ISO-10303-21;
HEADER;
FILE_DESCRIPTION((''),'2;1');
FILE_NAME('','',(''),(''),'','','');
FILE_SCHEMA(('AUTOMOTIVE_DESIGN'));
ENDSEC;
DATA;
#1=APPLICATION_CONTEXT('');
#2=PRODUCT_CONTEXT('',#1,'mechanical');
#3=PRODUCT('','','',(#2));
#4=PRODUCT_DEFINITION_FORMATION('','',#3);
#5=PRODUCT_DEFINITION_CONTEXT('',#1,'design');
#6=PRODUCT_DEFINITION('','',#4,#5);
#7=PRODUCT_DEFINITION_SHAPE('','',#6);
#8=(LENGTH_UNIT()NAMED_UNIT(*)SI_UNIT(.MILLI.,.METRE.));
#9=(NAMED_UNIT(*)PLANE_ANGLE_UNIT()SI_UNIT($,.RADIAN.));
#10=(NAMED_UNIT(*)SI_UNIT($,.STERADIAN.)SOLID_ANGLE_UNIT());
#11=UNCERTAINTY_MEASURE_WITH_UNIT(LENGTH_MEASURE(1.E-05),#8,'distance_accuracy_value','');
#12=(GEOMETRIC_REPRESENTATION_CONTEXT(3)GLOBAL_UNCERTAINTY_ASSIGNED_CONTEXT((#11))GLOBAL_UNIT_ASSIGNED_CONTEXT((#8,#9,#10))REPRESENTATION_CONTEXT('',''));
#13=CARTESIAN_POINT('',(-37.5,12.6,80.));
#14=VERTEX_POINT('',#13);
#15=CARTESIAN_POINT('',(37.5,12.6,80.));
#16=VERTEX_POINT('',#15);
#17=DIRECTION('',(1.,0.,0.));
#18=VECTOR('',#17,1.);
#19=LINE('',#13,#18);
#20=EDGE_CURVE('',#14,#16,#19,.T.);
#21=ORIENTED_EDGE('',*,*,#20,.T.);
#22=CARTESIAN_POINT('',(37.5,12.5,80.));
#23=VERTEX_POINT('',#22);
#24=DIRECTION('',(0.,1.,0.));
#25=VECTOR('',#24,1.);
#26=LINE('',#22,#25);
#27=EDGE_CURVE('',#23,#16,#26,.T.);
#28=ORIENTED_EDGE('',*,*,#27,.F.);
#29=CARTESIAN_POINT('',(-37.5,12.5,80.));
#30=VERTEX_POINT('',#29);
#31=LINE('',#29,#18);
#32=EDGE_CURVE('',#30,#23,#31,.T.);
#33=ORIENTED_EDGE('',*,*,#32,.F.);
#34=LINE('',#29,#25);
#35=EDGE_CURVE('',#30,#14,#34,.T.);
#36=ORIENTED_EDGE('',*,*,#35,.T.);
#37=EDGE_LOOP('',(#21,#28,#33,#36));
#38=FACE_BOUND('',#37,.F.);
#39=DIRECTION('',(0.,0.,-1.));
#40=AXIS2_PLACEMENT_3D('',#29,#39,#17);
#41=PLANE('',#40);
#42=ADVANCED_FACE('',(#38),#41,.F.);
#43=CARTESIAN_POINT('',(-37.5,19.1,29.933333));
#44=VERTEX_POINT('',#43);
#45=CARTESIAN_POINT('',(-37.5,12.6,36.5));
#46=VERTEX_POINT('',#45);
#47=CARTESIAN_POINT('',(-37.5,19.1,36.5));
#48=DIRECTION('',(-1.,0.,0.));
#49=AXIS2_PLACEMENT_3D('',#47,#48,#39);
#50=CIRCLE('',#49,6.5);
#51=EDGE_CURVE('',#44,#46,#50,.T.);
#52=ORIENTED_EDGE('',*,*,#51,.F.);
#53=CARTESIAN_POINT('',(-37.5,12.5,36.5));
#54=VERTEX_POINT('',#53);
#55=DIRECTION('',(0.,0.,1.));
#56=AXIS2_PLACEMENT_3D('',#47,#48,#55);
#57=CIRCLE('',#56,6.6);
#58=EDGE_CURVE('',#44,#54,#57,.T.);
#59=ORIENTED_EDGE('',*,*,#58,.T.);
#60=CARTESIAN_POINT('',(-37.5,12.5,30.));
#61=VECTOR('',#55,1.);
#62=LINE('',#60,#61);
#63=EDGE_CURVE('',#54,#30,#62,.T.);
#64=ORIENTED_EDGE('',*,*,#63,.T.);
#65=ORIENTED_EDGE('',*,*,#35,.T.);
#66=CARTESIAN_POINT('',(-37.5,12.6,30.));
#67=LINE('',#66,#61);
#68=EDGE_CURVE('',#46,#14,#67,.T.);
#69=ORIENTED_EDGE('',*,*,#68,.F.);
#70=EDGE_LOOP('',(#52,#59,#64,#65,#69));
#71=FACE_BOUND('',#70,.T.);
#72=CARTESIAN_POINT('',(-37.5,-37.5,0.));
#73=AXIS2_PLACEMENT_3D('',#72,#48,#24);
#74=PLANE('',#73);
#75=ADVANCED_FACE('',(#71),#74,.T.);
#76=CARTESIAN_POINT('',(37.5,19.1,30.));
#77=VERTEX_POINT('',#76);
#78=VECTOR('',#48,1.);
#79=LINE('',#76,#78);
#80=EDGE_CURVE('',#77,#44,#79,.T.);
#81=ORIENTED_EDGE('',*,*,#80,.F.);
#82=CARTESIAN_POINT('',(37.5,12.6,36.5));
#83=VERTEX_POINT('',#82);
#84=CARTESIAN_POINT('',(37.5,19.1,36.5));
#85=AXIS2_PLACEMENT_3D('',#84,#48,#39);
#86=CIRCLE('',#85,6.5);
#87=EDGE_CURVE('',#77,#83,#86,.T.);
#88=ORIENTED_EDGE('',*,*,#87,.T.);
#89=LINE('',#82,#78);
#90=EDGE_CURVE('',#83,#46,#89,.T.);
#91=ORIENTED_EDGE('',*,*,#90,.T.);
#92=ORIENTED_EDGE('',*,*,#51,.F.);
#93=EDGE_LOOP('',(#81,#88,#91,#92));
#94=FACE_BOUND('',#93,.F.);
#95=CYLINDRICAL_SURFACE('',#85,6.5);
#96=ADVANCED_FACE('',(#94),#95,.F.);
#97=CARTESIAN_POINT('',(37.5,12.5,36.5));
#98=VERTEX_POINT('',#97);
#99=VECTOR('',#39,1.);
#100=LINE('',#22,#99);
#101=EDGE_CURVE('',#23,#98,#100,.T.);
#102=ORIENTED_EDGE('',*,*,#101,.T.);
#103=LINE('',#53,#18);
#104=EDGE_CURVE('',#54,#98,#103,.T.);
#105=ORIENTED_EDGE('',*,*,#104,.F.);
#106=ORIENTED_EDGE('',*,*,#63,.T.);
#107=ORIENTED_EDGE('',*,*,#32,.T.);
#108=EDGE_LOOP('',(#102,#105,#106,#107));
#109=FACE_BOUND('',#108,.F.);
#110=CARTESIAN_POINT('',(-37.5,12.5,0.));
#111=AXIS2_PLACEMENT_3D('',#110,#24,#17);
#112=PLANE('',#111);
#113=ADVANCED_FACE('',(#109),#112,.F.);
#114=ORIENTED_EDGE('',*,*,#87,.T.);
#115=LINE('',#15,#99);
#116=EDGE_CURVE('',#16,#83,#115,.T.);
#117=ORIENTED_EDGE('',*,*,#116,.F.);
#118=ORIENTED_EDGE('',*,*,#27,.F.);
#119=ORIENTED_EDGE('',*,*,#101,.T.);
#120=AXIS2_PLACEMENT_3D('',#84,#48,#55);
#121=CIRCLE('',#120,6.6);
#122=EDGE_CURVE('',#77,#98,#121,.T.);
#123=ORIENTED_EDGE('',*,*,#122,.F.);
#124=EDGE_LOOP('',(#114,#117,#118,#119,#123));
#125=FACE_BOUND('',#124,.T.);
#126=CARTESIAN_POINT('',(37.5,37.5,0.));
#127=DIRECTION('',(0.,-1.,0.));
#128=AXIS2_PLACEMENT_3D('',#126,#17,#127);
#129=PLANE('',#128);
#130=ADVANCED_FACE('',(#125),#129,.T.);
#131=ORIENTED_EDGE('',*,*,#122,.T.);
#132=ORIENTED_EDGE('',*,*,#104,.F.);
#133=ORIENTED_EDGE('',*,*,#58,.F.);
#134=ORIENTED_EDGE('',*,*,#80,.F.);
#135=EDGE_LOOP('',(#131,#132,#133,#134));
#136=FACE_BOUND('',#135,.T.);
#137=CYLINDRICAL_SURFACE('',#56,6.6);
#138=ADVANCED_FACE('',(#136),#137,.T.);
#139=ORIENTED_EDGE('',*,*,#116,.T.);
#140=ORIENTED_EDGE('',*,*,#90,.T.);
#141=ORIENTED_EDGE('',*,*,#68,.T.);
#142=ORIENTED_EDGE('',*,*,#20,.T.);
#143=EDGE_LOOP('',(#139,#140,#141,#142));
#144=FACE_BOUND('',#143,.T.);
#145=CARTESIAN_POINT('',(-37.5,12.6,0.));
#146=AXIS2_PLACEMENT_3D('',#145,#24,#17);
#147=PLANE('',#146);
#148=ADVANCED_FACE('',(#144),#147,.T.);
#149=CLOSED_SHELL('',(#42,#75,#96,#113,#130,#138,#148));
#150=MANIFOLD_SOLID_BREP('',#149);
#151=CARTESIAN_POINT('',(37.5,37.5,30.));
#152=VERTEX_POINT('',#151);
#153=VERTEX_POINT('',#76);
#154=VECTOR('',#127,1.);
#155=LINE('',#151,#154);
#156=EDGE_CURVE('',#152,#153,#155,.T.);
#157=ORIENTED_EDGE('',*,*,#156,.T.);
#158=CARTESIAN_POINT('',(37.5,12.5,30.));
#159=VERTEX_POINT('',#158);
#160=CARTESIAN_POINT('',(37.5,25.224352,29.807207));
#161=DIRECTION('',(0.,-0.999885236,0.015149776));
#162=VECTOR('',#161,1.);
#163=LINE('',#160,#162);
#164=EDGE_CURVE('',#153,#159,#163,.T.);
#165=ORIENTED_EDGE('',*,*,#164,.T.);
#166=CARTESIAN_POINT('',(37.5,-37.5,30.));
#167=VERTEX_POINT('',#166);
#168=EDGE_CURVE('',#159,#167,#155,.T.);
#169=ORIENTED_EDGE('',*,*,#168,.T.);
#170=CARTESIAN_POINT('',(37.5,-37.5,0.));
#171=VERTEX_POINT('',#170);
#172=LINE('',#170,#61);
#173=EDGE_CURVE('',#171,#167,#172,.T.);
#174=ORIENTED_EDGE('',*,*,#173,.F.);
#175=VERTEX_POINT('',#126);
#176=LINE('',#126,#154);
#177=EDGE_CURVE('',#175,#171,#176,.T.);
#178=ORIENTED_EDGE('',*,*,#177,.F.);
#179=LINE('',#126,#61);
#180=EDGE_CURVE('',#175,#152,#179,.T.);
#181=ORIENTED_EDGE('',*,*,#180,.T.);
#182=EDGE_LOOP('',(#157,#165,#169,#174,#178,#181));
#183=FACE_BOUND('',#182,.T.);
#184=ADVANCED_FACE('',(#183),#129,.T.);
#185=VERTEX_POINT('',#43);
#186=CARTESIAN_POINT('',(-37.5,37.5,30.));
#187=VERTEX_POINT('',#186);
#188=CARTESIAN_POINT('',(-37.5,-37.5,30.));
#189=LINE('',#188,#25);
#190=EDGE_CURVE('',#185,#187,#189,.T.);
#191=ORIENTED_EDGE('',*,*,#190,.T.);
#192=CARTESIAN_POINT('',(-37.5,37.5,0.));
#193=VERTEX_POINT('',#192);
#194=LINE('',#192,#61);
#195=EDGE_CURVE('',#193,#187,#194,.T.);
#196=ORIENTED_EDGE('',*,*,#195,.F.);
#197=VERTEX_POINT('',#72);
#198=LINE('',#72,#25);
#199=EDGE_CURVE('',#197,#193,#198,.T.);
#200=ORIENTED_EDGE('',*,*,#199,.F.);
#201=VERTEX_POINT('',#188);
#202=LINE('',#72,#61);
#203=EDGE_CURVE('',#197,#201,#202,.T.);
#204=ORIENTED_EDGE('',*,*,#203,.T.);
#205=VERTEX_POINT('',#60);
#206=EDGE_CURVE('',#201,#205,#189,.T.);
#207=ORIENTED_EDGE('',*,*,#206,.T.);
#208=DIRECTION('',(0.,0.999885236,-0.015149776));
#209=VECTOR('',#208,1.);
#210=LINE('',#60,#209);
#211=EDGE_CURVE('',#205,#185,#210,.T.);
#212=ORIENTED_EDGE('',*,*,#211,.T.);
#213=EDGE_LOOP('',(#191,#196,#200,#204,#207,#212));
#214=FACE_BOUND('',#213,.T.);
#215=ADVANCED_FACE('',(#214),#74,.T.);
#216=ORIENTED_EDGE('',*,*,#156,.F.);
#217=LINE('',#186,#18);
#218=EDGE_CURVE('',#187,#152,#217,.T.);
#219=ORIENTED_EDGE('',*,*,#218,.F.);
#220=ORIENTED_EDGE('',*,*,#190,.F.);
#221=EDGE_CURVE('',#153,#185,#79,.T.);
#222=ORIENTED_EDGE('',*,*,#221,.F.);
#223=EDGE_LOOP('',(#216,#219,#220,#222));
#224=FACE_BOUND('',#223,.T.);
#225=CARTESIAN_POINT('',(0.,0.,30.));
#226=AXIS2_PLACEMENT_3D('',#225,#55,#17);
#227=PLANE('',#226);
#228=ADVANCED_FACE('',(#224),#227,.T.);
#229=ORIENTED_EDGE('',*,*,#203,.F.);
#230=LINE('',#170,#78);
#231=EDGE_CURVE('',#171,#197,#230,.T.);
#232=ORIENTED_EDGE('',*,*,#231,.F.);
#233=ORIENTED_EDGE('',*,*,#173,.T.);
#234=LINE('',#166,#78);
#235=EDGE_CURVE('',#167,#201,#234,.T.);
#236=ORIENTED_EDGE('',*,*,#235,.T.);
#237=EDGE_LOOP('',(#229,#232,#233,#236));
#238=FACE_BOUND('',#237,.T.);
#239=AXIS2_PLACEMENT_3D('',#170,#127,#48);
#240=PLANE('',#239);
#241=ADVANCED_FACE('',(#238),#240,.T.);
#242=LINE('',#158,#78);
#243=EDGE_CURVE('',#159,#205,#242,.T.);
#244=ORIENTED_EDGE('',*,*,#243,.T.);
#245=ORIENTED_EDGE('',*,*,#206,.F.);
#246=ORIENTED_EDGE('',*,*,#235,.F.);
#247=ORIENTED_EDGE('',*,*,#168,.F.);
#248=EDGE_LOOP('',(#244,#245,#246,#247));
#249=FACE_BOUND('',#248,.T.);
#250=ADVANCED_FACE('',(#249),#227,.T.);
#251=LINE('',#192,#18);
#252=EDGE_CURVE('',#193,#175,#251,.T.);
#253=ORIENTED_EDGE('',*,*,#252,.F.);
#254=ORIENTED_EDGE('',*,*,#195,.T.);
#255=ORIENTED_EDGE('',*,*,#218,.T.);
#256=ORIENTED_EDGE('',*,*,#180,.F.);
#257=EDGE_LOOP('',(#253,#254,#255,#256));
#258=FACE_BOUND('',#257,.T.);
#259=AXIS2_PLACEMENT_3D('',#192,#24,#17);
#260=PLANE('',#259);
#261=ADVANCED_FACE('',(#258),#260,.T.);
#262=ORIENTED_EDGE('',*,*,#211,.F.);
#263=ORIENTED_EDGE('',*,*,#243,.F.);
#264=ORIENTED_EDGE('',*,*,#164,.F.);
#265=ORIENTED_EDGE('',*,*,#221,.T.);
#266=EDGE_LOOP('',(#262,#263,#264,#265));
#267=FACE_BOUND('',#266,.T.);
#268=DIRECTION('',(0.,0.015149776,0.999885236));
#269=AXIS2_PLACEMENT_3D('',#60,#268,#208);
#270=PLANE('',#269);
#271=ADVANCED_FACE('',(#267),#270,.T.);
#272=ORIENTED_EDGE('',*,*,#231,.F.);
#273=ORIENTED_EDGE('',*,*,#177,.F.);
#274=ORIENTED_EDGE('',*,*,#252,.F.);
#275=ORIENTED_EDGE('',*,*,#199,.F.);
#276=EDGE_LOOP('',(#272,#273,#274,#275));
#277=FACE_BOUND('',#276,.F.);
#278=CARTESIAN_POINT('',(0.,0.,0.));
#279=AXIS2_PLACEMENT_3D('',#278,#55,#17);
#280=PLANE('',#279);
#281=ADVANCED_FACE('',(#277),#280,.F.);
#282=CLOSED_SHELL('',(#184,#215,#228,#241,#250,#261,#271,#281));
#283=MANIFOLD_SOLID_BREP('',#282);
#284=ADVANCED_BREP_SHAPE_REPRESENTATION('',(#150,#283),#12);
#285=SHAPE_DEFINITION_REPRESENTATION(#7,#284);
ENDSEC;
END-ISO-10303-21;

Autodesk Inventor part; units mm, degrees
ref_plane "YZ Plane" through (0, 0, 0) normal (1, 0, 0) x (0, 1, 0)
ref_plane "XZ Plane" through (0, 0, 0) normal (0, 1, 0) x (-1, 0, 0)
sketch "草图1" plane through (0, 0, 0) normal (0, 0, 1) x (1, 0, 0)
  line L0 (37.5, -37.5) -> (-37.5, -37.5)
  line L1 (-37.5, -37.5) -> (-37.5, 37.5)
  line L2 (-37.5, 37.5) -> (37.5, 37.5)
  line L3 (37.5, 37.5) -> (37.5, -37.5)
  line L4 (37.5, -37.5) -> (-37.5, 37.5) construction
  line L5 (-37.5, -37.5) -> (37.5, 37.5) construction
  point P0 (0, 0)
  dimension "d0" = 75
  dimension "d1" = 75
extrude "拉伸1" add sketch "草图1" along normal blind 30
sketch "草图2" plane through (-37.5, 37.5, 0) normal (0, 1, 0) x (1, 0, 0)
  point P0 (37.5, 0)
ref_plane "工作平面1" through (-37.5, 12.5, 0) normal (0, 1, 0) x (1, 0, 0)
sketch "草图3" plane through (-37.5, 12.5, 0) normal (0, 1, 0) x (1, 0, 0)
  line L0 (75, -30) -> (0, -30) projected
  line L1 (75, -30) -> (0, -30)
  line L2 (0, -30) -> (0, -80)
  line L3 (0, -80) -> (75, -80)
  line L4 (75, -80) -> (75, -30)
  line L5 (0, 0) -> (0, -30) projected
  point P0 (37.5, 0)
  dimension "d5" = 50
extrude "拉伸2" add sketch "草图3" along normal blind 0.1
fillet "圆角1" radius 6.5 1 edges at (0, 12.6, 30)
sketch "草图4" plane through (-37.5, -37.5, 0) normal (-1, 0, 0) x (0, 0, 1)
  arc A0 (30, 56.6) -> (36.5, 50.1) centre (36.5, 56.6) ccw projected
  circle A1 centre (36.5, 56.6) radius 6.6
  line L0 (80, 50) -> (30, 50) projected
  line L1 (30, 50) -> (29.9, 56.6)
  point P0 (0, 37.5)
  point P1 (29.903, 56.4)
  point P2 (36.5, 50)
extrude "拉伸3" cut sketch "草图4" against normal blind 112.5 contours A1 L0 L1
properties part number "便签"
